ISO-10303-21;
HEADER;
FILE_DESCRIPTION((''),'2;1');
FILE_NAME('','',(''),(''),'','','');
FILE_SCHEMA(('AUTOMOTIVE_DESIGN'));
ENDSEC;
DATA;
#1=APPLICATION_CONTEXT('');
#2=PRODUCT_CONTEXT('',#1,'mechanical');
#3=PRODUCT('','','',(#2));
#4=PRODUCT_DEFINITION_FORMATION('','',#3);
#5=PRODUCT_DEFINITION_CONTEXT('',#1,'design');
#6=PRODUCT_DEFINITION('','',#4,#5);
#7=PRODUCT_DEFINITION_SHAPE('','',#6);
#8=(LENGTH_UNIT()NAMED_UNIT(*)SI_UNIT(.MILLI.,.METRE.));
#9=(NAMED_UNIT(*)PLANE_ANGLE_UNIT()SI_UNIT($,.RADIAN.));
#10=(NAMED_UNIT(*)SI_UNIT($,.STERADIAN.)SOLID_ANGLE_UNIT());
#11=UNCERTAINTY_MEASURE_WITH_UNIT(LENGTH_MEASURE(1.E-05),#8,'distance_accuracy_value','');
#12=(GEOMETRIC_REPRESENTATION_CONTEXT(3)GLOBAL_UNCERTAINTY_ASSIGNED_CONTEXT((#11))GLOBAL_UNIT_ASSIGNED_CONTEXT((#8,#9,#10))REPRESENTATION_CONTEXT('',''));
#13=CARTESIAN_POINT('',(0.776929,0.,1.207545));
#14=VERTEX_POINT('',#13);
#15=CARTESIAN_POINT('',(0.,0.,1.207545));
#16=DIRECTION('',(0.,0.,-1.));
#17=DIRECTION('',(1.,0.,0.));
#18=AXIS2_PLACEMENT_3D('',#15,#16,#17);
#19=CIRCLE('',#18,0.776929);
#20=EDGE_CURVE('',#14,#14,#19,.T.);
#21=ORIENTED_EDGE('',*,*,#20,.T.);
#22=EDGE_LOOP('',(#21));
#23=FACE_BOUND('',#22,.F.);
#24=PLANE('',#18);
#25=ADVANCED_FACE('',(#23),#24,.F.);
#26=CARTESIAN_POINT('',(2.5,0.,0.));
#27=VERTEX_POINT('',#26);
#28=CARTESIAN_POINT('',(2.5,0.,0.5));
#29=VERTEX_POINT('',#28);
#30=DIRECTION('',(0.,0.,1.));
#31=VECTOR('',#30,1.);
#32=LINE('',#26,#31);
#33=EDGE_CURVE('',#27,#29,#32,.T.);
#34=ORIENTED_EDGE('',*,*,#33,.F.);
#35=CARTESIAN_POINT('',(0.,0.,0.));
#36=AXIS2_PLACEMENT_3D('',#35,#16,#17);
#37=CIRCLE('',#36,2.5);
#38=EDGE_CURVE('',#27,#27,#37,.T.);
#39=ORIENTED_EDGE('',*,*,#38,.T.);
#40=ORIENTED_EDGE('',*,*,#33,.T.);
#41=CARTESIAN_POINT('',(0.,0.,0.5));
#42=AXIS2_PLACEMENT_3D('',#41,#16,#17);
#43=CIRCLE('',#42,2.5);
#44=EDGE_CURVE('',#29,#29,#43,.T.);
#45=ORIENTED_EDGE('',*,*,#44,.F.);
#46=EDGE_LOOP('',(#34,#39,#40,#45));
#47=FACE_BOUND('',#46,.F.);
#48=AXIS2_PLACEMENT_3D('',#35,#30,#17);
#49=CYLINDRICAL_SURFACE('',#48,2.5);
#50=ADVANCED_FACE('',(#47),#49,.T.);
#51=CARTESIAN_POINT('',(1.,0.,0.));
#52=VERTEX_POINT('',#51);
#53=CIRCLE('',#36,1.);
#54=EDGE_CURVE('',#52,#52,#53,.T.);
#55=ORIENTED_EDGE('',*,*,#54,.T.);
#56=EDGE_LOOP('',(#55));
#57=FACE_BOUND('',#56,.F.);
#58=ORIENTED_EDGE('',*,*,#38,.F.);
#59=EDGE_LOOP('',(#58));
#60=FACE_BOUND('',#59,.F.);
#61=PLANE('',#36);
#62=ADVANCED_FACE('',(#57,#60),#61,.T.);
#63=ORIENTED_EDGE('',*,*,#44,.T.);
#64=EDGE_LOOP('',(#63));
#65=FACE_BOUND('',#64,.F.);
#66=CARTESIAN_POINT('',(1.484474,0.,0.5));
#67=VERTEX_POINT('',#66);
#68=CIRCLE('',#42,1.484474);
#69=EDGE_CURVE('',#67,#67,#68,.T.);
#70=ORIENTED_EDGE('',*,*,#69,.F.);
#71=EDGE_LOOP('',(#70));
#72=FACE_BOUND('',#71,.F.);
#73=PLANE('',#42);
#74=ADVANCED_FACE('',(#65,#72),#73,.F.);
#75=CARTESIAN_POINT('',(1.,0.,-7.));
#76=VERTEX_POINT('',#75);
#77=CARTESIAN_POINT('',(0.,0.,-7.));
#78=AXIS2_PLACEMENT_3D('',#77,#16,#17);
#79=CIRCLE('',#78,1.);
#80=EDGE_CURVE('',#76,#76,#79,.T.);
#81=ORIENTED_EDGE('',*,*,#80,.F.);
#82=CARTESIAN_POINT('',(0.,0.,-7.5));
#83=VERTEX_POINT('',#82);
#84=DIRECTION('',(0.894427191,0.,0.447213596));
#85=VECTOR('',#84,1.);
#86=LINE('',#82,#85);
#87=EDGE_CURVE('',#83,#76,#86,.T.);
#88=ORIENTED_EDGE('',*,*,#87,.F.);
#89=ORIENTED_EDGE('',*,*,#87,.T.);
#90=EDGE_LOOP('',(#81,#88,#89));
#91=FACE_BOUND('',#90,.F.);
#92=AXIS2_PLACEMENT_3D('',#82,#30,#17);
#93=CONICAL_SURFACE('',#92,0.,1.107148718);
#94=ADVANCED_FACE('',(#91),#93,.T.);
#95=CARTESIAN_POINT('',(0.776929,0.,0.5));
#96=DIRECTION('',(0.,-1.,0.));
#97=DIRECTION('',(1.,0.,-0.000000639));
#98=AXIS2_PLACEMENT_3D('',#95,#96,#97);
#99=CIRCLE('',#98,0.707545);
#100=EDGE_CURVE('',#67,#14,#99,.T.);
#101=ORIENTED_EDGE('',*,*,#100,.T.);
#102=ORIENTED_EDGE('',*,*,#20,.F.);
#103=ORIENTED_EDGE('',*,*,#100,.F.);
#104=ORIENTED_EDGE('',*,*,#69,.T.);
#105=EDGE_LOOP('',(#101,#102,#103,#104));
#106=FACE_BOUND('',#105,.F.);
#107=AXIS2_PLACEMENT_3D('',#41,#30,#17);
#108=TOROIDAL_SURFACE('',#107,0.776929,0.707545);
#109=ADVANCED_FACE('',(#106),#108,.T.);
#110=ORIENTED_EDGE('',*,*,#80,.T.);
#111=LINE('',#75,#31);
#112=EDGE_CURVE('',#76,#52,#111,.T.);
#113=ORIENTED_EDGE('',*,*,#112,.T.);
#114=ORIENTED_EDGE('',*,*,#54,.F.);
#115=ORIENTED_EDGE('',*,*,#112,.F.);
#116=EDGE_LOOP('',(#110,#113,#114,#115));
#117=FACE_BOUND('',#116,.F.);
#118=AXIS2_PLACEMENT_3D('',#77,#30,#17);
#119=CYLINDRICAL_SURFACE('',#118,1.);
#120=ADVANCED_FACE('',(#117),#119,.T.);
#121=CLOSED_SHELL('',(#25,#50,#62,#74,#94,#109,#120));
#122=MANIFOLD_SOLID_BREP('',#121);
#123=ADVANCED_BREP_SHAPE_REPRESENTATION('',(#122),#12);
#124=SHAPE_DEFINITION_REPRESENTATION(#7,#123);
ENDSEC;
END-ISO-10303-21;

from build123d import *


with BuildPart() as f1:
    # F0 (on Front) → F1 (revolve)
    with BuildSketch(Plane.XZ):
        with BuildLine():
            Line((0, 0.5), (0, 0))
            Line((0, 0), (0, -7.5))
            Line((0, -7.5), (1, -7))
            Line((1, -7), (1, 0))
            Line((1, 0), (2.5, 0))
            Line((2.5, 0), (2.5, 0.5))
            Line((2.5, 0.5), (1.484474, 0.5))
            ThreePointArc((1.484474, 0.5), (1.277239, 1.00031), (0.776929, 1.207545))
            Line((0.776929, 1.207545), (0, 1.207545))
            Line((0, 1.207545), (0, 0.5))
        make_face()
    revolve(axis=Axis((0, 0, -3.75), (0, 0, -1)))


solid = f1.part
